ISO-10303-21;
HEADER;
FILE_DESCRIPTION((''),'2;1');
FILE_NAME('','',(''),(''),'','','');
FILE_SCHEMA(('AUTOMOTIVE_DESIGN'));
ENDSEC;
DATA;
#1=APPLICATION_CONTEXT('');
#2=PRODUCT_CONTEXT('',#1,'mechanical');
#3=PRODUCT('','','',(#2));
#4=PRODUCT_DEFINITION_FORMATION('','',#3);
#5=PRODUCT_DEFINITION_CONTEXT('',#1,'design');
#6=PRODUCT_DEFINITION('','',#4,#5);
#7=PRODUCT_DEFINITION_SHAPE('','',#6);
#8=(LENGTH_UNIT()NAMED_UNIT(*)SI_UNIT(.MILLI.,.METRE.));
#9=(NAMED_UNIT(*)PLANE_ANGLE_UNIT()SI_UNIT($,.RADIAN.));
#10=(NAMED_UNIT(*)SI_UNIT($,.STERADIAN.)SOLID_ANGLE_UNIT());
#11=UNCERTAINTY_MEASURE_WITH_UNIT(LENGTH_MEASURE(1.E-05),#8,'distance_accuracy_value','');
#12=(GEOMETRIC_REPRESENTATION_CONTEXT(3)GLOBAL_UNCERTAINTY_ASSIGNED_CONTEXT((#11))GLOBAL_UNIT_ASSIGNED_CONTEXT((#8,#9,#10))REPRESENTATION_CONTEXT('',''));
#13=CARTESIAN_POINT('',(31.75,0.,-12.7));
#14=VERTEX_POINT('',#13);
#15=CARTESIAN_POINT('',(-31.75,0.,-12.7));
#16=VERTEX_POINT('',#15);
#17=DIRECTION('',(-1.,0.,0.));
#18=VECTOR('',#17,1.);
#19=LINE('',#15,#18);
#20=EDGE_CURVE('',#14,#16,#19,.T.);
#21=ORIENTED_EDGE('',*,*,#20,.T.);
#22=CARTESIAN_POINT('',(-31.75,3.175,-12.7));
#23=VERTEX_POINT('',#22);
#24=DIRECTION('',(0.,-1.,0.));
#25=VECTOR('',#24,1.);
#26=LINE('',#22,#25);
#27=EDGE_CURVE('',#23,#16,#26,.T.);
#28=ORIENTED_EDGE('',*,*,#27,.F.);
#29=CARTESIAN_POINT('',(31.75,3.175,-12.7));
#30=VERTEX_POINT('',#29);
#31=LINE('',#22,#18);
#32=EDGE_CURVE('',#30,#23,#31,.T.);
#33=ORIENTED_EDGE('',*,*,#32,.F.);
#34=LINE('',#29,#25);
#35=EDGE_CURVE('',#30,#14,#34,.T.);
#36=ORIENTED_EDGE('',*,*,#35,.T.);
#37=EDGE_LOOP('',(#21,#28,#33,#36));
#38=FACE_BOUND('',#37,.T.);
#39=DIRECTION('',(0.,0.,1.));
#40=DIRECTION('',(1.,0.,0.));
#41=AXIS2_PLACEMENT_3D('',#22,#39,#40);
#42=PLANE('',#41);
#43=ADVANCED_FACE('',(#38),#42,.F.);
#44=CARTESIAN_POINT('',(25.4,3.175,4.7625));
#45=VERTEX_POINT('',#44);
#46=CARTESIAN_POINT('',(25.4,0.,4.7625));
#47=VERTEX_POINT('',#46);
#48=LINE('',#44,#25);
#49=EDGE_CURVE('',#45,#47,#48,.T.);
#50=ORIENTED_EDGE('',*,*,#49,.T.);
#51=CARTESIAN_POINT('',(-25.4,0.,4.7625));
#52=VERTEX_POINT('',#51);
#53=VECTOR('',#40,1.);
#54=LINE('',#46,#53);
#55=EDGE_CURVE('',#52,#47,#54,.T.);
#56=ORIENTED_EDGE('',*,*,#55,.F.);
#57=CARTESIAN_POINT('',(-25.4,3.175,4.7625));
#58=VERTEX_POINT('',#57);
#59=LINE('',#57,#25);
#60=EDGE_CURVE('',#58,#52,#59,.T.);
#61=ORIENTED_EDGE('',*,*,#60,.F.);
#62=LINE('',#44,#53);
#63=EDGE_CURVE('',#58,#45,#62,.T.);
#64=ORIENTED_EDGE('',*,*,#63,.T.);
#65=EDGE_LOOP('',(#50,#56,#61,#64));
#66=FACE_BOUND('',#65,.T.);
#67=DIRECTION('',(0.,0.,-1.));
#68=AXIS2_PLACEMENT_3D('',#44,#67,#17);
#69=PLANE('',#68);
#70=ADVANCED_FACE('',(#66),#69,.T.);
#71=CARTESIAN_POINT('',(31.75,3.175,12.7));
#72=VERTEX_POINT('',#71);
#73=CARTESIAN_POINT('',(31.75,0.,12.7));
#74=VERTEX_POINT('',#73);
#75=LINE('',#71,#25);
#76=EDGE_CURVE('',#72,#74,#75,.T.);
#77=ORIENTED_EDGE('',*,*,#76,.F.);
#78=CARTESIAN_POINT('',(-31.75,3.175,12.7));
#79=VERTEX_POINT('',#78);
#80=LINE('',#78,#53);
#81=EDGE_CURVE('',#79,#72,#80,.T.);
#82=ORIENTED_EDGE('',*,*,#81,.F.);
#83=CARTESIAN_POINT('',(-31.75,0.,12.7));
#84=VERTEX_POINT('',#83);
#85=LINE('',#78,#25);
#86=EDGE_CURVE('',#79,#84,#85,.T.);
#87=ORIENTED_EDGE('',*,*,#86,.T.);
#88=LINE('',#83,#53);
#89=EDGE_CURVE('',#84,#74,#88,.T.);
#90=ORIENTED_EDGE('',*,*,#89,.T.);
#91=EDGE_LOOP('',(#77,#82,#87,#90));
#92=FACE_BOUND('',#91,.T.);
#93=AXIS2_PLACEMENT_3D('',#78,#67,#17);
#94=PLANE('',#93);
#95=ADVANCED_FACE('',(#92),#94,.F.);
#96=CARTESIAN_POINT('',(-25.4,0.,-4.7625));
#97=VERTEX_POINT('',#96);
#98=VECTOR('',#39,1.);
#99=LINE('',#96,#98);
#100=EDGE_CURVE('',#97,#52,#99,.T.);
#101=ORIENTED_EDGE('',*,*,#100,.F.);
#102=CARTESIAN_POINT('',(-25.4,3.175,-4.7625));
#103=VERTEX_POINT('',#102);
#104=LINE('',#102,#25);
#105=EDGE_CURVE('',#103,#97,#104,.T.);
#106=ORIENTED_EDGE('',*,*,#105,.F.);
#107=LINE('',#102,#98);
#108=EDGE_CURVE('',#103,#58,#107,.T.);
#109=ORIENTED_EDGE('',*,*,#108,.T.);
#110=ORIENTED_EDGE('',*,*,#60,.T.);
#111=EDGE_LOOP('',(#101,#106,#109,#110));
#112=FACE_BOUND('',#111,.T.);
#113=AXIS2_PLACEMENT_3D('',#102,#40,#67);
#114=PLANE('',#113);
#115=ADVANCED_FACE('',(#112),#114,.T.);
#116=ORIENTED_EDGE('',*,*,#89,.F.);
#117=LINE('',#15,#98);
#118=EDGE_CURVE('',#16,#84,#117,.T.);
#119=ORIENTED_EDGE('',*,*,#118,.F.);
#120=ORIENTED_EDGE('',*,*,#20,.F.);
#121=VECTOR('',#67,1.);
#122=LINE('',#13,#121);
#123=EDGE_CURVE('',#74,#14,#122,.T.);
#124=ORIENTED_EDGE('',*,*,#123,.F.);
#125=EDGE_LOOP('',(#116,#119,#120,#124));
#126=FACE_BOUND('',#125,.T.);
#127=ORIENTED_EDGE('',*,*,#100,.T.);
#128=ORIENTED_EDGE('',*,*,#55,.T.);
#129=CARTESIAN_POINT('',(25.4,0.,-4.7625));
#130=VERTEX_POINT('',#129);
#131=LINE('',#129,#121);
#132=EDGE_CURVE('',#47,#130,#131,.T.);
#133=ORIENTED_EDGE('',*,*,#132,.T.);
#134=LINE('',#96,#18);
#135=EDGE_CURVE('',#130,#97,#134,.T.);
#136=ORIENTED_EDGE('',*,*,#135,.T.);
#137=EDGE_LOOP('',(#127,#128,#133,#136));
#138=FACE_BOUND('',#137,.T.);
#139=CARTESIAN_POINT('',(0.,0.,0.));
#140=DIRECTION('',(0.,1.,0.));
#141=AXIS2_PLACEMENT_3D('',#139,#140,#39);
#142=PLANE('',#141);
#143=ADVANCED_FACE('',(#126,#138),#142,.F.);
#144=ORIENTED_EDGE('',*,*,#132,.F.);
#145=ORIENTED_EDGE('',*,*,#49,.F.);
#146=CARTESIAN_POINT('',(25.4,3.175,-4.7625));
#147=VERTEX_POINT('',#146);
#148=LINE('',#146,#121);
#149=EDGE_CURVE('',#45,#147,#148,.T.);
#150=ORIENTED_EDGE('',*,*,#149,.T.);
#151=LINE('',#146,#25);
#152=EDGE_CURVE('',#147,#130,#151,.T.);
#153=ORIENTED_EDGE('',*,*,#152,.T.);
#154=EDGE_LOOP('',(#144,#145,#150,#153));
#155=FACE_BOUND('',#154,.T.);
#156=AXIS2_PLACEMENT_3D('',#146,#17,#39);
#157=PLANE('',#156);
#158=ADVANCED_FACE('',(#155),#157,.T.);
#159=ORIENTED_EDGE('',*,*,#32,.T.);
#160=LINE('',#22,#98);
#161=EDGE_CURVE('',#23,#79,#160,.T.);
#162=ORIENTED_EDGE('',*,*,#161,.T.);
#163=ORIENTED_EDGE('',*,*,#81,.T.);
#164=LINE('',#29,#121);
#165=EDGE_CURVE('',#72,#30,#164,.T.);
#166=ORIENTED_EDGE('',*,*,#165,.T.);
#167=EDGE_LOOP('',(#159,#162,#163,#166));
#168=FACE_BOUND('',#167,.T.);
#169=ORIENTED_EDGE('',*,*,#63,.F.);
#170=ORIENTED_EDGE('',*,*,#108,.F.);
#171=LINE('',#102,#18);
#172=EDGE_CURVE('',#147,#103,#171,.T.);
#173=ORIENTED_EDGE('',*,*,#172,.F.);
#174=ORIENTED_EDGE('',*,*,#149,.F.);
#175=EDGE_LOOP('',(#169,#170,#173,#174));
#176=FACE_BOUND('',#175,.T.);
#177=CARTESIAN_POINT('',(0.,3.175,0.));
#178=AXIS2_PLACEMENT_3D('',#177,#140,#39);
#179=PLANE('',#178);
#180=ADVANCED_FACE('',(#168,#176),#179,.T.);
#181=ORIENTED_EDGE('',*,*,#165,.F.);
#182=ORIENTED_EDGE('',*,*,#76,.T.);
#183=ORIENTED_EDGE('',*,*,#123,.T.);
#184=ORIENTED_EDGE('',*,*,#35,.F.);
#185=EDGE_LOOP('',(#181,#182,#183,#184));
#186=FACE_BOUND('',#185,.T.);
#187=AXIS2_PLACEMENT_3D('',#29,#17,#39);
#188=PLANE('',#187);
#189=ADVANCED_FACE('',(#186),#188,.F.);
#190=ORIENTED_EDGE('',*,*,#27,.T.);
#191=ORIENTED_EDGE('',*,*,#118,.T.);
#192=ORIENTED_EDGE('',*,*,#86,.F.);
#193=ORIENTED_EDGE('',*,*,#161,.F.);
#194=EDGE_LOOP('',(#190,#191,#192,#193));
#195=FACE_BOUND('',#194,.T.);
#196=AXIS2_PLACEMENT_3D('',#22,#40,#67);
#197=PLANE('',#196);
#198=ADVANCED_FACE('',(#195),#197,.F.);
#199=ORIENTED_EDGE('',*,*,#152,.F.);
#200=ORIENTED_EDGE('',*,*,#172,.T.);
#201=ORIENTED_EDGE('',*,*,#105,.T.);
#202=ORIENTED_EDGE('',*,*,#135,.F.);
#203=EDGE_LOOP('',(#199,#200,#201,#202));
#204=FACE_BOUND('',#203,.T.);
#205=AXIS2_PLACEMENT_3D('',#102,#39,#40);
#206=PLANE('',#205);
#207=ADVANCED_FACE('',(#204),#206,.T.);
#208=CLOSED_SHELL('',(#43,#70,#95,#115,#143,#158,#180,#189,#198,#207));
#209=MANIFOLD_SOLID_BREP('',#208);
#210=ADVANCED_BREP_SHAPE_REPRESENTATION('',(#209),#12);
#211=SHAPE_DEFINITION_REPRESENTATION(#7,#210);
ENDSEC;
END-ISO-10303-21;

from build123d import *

# Parameters (mm, degrees)
SKETCH1_W           = 63.5
SKETCH1_H           = 25.4
SKETCH1_W_2         = 50.8
SKETCH1_H_2         = 9.525
BOSS_EXTRUDE1_DEPTH = 3.175


with BuildPart() as part:
    # Sketch1 → Boss-Extrude1 (new body)
    with BuildSketch(Plane(origin=(0, 0, 0), x_dir=(1, 0, 0), z_dir=(0, 1, 0))):
        Rectangle(SKETCH1_W, SKETCH1_H)
        Rectangle(SKETCH1_W_2, SKETCH1_H_2, mode=Mode.SUBTRACT)
    extrude(amount=BOSS_EXTRUDE1_DEPTH)


solid = part.part
